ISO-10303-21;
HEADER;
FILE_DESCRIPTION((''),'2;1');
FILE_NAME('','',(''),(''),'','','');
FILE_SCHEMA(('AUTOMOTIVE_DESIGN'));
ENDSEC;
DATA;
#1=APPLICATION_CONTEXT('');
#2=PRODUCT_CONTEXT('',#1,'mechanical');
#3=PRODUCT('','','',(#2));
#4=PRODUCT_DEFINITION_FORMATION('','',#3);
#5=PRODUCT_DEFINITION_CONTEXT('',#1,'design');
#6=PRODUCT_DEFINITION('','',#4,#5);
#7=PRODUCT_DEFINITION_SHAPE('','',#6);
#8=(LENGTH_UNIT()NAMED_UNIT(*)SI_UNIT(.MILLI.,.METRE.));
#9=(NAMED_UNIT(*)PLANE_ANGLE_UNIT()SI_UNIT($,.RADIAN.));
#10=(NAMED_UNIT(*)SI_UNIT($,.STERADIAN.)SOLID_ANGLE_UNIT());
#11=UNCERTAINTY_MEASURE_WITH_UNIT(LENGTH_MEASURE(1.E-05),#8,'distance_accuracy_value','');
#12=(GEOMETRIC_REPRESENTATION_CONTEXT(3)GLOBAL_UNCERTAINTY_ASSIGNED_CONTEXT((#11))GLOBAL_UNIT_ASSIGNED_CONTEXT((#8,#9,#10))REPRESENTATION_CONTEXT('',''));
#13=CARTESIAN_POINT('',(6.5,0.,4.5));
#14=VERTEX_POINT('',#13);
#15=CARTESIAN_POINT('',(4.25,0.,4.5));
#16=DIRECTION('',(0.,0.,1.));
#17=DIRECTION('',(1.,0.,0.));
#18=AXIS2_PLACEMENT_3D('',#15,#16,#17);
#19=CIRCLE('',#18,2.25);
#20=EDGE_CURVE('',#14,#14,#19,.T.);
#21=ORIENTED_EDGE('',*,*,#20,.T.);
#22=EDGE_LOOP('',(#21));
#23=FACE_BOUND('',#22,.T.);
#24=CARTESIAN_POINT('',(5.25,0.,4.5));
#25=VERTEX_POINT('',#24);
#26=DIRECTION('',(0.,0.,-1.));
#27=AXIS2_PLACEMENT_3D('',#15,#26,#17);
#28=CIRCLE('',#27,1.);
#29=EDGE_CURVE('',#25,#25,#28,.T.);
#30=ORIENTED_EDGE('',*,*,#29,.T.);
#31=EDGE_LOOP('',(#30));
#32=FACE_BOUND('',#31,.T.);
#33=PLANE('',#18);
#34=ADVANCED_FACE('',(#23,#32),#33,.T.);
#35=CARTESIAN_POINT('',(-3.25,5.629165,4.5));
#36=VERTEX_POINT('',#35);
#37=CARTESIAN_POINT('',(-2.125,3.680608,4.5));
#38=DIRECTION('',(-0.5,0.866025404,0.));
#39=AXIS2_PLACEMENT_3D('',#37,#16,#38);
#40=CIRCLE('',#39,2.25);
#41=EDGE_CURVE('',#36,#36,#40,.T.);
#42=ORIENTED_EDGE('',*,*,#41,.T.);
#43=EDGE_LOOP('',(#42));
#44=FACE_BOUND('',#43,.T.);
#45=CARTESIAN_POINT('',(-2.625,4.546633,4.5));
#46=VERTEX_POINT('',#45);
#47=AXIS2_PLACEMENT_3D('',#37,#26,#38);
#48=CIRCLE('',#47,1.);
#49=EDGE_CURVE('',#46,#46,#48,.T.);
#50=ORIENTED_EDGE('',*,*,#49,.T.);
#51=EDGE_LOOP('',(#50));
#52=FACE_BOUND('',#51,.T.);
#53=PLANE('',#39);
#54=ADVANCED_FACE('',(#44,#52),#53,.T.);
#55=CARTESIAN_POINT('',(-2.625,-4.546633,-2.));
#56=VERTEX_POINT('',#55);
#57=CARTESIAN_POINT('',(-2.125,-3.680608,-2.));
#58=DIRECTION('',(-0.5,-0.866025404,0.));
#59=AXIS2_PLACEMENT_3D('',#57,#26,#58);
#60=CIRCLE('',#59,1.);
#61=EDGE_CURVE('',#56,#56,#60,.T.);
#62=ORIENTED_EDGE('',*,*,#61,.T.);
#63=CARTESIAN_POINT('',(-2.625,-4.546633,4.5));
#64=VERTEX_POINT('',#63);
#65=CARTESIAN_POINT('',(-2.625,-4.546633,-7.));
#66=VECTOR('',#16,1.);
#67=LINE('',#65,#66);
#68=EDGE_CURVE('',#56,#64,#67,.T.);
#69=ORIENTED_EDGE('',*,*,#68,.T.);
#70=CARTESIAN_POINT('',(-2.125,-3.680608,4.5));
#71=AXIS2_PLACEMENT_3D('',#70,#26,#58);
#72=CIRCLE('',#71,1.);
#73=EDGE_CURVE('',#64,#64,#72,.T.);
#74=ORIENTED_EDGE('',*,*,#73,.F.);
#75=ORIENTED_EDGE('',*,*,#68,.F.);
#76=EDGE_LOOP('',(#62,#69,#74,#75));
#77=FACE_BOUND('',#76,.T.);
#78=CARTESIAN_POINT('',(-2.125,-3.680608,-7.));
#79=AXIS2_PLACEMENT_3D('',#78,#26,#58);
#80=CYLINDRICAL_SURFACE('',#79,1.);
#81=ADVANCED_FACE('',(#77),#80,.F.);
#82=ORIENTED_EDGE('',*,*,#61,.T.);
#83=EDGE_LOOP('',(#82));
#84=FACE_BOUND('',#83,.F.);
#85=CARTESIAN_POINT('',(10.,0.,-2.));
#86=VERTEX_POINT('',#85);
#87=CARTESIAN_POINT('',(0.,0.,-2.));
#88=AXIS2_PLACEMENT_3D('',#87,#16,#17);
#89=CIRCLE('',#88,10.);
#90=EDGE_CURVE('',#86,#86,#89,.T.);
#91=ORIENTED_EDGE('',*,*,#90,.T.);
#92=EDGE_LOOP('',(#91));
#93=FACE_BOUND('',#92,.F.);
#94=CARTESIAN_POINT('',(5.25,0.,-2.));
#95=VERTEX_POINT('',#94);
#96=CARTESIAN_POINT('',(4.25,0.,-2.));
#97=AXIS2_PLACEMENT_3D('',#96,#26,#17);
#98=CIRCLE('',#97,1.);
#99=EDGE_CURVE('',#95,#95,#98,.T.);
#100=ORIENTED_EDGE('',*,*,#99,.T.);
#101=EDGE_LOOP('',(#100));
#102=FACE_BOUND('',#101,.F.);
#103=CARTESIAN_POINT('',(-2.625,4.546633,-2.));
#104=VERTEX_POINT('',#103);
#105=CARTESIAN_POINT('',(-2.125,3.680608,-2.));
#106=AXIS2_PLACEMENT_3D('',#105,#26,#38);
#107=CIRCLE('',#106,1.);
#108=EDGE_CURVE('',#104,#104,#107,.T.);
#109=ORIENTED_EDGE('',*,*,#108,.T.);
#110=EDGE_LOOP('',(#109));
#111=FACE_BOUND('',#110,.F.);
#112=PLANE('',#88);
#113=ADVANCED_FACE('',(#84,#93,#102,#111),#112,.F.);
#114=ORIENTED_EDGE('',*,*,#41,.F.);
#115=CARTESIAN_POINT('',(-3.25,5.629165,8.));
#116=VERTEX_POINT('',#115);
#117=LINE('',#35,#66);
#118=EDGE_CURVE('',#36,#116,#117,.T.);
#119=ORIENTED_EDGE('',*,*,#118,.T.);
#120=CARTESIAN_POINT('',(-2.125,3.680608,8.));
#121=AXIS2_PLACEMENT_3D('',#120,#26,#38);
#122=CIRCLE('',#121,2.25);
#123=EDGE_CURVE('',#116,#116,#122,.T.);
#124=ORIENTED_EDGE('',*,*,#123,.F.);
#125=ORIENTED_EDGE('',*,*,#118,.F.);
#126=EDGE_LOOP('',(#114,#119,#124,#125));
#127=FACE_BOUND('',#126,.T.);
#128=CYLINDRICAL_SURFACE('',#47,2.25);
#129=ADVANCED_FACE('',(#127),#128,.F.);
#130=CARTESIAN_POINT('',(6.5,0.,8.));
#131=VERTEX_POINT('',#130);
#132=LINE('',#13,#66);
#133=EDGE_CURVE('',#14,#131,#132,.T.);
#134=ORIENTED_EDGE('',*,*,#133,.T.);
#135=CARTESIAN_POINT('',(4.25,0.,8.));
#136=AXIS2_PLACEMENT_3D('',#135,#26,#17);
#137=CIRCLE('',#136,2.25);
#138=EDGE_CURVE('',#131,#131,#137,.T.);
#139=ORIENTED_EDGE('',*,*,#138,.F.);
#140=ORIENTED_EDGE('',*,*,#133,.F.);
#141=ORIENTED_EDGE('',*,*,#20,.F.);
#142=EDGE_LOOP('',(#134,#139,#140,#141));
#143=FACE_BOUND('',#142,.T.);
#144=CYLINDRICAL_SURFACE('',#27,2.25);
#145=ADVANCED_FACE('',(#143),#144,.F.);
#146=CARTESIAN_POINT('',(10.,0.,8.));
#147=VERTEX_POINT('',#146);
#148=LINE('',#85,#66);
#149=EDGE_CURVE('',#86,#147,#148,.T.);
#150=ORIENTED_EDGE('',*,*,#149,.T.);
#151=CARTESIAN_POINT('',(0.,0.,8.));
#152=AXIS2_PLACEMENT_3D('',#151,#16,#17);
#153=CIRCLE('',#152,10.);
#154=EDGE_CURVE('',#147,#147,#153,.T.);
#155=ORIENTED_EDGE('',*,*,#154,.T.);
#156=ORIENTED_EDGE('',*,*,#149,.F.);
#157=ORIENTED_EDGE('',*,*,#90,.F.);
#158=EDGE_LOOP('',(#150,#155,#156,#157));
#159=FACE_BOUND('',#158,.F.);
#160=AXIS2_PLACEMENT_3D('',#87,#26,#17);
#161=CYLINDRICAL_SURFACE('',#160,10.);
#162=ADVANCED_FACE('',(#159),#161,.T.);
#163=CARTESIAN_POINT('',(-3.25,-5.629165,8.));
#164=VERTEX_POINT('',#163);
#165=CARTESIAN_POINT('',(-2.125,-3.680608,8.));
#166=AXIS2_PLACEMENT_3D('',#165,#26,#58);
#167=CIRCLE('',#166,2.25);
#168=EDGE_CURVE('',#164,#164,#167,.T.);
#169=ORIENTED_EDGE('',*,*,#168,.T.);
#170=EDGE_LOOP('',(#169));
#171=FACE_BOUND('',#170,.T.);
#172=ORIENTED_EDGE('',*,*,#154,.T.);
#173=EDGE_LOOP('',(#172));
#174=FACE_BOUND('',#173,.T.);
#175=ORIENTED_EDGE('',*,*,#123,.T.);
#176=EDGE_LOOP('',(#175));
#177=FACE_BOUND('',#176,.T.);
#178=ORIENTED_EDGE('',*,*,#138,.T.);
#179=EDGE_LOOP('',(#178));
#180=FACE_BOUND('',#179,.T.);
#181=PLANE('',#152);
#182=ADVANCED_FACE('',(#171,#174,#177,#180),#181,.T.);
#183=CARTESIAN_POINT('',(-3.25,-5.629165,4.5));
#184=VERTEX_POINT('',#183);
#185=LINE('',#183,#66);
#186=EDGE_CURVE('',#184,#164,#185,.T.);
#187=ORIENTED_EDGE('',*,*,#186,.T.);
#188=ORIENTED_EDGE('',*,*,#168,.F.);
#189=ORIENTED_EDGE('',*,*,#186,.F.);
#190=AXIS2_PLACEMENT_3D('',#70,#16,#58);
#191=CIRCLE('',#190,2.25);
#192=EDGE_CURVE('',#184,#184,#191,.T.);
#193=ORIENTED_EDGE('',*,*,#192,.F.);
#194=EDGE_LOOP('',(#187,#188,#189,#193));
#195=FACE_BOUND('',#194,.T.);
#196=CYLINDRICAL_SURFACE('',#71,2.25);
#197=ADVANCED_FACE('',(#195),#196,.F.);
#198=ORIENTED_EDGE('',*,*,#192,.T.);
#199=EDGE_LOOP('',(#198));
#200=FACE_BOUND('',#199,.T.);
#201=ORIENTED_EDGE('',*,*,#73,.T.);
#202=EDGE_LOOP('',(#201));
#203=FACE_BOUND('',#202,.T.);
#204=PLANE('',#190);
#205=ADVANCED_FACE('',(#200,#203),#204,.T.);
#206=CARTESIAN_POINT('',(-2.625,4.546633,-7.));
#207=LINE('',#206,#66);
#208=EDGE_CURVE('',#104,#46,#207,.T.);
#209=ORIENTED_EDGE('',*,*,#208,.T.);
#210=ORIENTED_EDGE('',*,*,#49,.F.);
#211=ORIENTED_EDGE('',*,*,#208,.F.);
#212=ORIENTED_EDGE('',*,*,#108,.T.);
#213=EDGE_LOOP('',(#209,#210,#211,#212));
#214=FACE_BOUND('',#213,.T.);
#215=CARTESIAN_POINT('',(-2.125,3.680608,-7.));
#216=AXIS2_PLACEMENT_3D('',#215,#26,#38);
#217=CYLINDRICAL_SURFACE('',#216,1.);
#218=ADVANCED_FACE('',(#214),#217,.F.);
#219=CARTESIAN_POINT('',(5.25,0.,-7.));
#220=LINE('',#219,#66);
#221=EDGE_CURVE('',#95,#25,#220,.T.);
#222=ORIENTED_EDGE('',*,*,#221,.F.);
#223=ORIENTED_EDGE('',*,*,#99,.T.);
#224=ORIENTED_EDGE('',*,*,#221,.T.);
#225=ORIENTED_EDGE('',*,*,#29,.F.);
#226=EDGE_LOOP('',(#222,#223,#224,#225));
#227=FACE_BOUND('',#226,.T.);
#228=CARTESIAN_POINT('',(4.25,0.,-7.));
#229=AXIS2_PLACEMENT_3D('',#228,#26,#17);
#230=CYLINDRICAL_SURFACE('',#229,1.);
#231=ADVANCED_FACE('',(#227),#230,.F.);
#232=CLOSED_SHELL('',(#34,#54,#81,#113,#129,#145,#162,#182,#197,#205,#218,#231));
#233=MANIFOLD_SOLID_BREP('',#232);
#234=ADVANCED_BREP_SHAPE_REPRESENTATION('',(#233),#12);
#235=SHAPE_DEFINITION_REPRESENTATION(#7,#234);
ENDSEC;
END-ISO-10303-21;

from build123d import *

# Parameters (mm, degrees)
CYLINDER157_R     = 2.25
CYLINDER157_DEPTH = 7
CYLINDER156_R     = 1
CYLINDER156_DEPTH = 14
CYLINDER147_R     = 1
CYLINDER147_DEPTH = 1
ARRAY_COUNT       = 3
CYLINDER153_R     = 10
CYLINDER153_DEPTH = 10


with BuildPart() as sealsubtraction:
    # Cylinder157 → Cylinder157 (new body)
    with BuildSketch(Plane.XY.offset(4.5)):
        Circle(CYLINDER157_R)
    extrude(amount=CYLINDER157_DEPTH)


with BuildPart() as bottomwireoutlet:
    # Cylinder156 → Cylinder156 (new body)
    with BuildSketch(Plane.XY.offset(-7)):
        Circle(CYLINDER156_R)
    extrude(amount=CYLINDER156_DEPTH)


with BuildPart() as sealarray:
    # Cylinder147 → Cylinder147 (new body)
    with BuildSketch(Plane.XY.offset(4.5)):
        Circle(CYLINDER147_R)
    extrude(amount=CYLINDER147_DEPTH)

    # Fusion: union SealSubtraction, BottomWireOutlet
    add(sealsubtraction.part)
    add(bottomwireoutlet.part)


with BuildPart() as sealarray_1:
    # Fusion placement: moved
    add(sealarray.part.moved(Location((4.25, 0, 0))))

    # Array: SealArray ×3 about axis
    array_axis = Axis((0, 0, 0), (0, 0, 1))


with BuildPart() as sealarray_2:
    add(sealarray_1.part)
    for i in range(1, ARRAY_COUNT):
        add(sealarray_1.part.rotate(array_axis, i * 360 / ARRAY_COUNT))


with BuildPart() as cut:
    # Cylinder153 → Cylinder153 (new body)
    with BuildSketch(Plane.XY.offset(-2)):
        Circle(CYLINDER153_R)
    extrude(amount=CYLINDER153_DEPTH)

    # Cut: cut SealArray
    add(sealarray_2.part, mode=Mode.SUBTRACT)


solid = cut.part
